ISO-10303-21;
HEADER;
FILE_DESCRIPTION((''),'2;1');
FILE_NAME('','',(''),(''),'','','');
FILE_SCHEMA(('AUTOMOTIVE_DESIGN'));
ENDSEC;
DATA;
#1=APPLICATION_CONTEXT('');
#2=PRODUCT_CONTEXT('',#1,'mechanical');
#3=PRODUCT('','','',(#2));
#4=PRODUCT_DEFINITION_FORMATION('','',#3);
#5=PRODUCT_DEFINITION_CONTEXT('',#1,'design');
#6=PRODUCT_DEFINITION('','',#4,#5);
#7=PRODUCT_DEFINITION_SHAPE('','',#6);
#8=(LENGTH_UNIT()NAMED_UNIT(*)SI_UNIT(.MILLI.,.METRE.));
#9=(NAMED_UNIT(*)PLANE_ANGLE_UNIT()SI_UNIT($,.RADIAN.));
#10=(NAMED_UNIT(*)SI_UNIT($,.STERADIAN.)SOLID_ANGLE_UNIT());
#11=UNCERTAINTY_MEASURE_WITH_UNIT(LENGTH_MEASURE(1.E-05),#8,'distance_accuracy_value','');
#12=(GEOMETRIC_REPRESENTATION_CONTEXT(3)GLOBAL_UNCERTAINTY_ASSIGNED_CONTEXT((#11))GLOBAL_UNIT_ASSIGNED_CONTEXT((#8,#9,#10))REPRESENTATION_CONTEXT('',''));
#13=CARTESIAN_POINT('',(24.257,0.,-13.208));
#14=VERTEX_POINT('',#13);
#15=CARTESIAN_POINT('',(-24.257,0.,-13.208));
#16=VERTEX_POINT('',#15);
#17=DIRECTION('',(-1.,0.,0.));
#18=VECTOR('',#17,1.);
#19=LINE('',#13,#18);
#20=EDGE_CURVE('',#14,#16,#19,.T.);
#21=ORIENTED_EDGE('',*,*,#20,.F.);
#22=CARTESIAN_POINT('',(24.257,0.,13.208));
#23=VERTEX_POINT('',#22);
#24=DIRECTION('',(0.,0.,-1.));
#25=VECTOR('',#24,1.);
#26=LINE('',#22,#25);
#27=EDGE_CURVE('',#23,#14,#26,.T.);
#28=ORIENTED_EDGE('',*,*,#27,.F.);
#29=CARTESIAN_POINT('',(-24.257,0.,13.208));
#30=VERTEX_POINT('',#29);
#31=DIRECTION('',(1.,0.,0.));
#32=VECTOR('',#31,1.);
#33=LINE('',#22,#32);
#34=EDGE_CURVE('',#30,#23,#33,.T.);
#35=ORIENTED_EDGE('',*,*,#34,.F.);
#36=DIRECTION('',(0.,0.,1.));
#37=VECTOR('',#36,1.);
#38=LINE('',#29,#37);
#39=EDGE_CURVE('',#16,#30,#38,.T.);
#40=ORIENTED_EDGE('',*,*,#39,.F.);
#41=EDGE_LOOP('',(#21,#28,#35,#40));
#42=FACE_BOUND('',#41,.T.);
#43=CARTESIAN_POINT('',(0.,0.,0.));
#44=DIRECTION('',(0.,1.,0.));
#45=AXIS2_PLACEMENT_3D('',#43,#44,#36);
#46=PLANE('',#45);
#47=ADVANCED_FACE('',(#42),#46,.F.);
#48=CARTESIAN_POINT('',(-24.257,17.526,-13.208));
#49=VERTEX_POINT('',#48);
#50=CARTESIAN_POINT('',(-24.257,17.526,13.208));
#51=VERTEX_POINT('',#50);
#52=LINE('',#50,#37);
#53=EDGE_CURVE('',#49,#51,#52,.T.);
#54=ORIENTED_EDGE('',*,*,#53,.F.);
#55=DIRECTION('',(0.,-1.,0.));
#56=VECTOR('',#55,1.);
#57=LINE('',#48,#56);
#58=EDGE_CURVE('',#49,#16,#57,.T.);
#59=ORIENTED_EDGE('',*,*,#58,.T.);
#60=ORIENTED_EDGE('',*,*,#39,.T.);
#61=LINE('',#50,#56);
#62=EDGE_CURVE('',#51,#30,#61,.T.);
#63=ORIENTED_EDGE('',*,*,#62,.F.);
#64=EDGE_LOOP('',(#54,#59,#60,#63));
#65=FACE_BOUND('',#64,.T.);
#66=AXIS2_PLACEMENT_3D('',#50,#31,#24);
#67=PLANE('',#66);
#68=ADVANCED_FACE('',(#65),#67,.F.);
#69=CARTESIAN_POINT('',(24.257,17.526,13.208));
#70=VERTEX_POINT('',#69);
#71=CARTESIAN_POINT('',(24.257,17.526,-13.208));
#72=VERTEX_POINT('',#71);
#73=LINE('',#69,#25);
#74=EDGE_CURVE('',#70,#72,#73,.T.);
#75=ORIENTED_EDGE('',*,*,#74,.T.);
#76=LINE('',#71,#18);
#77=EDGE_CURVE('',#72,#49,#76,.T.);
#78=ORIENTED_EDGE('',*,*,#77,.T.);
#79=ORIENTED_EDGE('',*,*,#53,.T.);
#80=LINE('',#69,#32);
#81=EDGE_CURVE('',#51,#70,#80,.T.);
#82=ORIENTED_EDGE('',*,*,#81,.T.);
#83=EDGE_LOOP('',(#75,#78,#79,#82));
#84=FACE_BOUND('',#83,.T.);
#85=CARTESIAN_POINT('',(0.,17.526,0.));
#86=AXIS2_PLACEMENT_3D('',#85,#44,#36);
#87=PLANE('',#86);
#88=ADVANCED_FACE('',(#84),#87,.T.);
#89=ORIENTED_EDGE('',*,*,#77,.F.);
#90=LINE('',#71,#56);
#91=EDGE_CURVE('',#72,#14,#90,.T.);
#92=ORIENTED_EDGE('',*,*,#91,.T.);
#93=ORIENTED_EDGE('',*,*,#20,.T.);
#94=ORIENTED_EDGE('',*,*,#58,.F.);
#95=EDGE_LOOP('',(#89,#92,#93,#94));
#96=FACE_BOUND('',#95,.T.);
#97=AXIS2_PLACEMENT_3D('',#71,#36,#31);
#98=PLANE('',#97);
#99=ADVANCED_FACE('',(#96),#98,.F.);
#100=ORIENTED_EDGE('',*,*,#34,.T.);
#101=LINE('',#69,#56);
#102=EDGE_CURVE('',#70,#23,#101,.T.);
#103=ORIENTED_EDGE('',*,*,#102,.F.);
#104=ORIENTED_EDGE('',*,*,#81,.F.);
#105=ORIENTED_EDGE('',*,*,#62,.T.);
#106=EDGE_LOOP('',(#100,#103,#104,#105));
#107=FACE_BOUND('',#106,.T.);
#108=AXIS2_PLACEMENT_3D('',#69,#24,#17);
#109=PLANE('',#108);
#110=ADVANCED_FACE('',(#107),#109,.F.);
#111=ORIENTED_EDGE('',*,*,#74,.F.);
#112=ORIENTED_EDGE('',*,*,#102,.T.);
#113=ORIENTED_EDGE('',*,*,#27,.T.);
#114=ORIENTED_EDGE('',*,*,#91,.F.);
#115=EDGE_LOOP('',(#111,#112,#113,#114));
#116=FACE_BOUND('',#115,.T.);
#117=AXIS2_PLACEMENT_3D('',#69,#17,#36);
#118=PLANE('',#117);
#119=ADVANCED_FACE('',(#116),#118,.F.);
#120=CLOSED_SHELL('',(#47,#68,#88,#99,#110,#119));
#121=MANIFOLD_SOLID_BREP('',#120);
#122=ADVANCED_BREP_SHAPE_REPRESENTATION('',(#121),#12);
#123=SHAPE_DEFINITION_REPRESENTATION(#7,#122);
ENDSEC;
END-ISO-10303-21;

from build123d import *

# Parameters (mm, degrees)
SKETCH2_W           = 48.514
SKETCH2_H           = 26.416
BOSS_EXTRUDE1_DEPTH = 17.526


with BuildPart() as part:
    # Sketch2 → Boss-Extrude1 (new body)
    with BuildSketch(Plane(origin=(0, 0, 0), x_dir=(1, 0, 0), z_dir=(0, 1, 0))):
        Rectangle(SKETCH2_W, SKETCH2_H)
    extrude(amount=BOSS_EXTRUDE1_DEPTH)


solid = part.part
